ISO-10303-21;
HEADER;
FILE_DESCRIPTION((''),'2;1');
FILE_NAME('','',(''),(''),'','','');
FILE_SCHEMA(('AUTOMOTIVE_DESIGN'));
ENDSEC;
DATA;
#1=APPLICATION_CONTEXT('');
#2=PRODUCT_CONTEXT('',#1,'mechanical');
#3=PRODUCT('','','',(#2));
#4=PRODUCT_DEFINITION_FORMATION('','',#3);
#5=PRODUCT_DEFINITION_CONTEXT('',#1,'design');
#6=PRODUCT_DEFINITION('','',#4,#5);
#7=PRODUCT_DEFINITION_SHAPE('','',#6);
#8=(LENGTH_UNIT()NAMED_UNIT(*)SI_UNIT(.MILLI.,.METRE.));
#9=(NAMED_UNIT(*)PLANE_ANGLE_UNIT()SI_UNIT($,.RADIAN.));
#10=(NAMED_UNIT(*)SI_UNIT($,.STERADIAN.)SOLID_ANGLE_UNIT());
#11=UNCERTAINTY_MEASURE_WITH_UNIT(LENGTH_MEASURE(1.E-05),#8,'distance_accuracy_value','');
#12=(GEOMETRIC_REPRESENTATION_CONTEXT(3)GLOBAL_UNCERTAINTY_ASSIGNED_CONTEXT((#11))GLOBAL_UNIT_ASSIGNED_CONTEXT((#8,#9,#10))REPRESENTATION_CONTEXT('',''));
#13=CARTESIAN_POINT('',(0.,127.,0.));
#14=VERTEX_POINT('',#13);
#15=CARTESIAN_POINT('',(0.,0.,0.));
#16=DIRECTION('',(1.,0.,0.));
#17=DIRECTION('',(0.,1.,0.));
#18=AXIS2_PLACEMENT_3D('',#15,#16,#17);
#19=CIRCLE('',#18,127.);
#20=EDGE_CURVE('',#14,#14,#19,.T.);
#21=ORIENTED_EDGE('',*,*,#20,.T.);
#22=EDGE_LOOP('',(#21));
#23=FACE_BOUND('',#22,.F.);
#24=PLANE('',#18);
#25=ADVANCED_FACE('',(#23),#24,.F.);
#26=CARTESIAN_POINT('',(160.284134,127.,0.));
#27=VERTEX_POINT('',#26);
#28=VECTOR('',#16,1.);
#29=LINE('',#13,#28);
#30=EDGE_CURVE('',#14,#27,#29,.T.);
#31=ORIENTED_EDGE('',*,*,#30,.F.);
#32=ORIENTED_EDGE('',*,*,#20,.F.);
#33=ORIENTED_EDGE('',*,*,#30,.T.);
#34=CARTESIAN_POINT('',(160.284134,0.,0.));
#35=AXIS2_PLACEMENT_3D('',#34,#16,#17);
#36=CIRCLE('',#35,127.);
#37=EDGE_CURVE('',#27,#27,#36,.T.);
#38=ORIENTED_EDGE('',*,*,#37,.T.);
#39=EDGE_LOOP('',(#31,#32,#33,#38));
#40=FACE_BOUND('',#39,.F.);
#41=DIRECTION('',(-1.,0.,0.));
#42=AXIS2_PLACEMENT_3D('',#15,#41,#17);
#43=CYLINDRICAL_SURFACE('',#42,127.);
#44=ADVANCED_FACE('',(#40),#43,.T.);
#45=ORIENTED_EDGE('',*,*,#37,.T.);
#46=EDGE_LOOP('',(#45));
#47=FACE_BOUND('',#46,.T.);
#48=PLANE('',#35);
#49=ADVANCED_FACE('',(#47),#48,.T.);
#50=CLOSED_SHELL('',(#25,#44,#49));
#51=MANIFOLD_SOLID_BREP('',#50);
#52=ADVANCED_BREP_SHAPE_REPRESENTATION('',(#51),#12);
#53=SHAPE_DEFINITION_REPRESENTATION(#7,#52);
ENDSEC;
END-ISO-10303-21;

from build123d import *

# Parameters (mm, degrees)
F0_R     = 127
F1_DEPTH = 160.284134


with BuildPart() as f1:
    # F0 (on Right) → F1 (new body)
    with BuildSketch(Plane.YZ):
        Circle(F0_R)
    extrude(amount=F1_DEPTH)


solid = f1.part
